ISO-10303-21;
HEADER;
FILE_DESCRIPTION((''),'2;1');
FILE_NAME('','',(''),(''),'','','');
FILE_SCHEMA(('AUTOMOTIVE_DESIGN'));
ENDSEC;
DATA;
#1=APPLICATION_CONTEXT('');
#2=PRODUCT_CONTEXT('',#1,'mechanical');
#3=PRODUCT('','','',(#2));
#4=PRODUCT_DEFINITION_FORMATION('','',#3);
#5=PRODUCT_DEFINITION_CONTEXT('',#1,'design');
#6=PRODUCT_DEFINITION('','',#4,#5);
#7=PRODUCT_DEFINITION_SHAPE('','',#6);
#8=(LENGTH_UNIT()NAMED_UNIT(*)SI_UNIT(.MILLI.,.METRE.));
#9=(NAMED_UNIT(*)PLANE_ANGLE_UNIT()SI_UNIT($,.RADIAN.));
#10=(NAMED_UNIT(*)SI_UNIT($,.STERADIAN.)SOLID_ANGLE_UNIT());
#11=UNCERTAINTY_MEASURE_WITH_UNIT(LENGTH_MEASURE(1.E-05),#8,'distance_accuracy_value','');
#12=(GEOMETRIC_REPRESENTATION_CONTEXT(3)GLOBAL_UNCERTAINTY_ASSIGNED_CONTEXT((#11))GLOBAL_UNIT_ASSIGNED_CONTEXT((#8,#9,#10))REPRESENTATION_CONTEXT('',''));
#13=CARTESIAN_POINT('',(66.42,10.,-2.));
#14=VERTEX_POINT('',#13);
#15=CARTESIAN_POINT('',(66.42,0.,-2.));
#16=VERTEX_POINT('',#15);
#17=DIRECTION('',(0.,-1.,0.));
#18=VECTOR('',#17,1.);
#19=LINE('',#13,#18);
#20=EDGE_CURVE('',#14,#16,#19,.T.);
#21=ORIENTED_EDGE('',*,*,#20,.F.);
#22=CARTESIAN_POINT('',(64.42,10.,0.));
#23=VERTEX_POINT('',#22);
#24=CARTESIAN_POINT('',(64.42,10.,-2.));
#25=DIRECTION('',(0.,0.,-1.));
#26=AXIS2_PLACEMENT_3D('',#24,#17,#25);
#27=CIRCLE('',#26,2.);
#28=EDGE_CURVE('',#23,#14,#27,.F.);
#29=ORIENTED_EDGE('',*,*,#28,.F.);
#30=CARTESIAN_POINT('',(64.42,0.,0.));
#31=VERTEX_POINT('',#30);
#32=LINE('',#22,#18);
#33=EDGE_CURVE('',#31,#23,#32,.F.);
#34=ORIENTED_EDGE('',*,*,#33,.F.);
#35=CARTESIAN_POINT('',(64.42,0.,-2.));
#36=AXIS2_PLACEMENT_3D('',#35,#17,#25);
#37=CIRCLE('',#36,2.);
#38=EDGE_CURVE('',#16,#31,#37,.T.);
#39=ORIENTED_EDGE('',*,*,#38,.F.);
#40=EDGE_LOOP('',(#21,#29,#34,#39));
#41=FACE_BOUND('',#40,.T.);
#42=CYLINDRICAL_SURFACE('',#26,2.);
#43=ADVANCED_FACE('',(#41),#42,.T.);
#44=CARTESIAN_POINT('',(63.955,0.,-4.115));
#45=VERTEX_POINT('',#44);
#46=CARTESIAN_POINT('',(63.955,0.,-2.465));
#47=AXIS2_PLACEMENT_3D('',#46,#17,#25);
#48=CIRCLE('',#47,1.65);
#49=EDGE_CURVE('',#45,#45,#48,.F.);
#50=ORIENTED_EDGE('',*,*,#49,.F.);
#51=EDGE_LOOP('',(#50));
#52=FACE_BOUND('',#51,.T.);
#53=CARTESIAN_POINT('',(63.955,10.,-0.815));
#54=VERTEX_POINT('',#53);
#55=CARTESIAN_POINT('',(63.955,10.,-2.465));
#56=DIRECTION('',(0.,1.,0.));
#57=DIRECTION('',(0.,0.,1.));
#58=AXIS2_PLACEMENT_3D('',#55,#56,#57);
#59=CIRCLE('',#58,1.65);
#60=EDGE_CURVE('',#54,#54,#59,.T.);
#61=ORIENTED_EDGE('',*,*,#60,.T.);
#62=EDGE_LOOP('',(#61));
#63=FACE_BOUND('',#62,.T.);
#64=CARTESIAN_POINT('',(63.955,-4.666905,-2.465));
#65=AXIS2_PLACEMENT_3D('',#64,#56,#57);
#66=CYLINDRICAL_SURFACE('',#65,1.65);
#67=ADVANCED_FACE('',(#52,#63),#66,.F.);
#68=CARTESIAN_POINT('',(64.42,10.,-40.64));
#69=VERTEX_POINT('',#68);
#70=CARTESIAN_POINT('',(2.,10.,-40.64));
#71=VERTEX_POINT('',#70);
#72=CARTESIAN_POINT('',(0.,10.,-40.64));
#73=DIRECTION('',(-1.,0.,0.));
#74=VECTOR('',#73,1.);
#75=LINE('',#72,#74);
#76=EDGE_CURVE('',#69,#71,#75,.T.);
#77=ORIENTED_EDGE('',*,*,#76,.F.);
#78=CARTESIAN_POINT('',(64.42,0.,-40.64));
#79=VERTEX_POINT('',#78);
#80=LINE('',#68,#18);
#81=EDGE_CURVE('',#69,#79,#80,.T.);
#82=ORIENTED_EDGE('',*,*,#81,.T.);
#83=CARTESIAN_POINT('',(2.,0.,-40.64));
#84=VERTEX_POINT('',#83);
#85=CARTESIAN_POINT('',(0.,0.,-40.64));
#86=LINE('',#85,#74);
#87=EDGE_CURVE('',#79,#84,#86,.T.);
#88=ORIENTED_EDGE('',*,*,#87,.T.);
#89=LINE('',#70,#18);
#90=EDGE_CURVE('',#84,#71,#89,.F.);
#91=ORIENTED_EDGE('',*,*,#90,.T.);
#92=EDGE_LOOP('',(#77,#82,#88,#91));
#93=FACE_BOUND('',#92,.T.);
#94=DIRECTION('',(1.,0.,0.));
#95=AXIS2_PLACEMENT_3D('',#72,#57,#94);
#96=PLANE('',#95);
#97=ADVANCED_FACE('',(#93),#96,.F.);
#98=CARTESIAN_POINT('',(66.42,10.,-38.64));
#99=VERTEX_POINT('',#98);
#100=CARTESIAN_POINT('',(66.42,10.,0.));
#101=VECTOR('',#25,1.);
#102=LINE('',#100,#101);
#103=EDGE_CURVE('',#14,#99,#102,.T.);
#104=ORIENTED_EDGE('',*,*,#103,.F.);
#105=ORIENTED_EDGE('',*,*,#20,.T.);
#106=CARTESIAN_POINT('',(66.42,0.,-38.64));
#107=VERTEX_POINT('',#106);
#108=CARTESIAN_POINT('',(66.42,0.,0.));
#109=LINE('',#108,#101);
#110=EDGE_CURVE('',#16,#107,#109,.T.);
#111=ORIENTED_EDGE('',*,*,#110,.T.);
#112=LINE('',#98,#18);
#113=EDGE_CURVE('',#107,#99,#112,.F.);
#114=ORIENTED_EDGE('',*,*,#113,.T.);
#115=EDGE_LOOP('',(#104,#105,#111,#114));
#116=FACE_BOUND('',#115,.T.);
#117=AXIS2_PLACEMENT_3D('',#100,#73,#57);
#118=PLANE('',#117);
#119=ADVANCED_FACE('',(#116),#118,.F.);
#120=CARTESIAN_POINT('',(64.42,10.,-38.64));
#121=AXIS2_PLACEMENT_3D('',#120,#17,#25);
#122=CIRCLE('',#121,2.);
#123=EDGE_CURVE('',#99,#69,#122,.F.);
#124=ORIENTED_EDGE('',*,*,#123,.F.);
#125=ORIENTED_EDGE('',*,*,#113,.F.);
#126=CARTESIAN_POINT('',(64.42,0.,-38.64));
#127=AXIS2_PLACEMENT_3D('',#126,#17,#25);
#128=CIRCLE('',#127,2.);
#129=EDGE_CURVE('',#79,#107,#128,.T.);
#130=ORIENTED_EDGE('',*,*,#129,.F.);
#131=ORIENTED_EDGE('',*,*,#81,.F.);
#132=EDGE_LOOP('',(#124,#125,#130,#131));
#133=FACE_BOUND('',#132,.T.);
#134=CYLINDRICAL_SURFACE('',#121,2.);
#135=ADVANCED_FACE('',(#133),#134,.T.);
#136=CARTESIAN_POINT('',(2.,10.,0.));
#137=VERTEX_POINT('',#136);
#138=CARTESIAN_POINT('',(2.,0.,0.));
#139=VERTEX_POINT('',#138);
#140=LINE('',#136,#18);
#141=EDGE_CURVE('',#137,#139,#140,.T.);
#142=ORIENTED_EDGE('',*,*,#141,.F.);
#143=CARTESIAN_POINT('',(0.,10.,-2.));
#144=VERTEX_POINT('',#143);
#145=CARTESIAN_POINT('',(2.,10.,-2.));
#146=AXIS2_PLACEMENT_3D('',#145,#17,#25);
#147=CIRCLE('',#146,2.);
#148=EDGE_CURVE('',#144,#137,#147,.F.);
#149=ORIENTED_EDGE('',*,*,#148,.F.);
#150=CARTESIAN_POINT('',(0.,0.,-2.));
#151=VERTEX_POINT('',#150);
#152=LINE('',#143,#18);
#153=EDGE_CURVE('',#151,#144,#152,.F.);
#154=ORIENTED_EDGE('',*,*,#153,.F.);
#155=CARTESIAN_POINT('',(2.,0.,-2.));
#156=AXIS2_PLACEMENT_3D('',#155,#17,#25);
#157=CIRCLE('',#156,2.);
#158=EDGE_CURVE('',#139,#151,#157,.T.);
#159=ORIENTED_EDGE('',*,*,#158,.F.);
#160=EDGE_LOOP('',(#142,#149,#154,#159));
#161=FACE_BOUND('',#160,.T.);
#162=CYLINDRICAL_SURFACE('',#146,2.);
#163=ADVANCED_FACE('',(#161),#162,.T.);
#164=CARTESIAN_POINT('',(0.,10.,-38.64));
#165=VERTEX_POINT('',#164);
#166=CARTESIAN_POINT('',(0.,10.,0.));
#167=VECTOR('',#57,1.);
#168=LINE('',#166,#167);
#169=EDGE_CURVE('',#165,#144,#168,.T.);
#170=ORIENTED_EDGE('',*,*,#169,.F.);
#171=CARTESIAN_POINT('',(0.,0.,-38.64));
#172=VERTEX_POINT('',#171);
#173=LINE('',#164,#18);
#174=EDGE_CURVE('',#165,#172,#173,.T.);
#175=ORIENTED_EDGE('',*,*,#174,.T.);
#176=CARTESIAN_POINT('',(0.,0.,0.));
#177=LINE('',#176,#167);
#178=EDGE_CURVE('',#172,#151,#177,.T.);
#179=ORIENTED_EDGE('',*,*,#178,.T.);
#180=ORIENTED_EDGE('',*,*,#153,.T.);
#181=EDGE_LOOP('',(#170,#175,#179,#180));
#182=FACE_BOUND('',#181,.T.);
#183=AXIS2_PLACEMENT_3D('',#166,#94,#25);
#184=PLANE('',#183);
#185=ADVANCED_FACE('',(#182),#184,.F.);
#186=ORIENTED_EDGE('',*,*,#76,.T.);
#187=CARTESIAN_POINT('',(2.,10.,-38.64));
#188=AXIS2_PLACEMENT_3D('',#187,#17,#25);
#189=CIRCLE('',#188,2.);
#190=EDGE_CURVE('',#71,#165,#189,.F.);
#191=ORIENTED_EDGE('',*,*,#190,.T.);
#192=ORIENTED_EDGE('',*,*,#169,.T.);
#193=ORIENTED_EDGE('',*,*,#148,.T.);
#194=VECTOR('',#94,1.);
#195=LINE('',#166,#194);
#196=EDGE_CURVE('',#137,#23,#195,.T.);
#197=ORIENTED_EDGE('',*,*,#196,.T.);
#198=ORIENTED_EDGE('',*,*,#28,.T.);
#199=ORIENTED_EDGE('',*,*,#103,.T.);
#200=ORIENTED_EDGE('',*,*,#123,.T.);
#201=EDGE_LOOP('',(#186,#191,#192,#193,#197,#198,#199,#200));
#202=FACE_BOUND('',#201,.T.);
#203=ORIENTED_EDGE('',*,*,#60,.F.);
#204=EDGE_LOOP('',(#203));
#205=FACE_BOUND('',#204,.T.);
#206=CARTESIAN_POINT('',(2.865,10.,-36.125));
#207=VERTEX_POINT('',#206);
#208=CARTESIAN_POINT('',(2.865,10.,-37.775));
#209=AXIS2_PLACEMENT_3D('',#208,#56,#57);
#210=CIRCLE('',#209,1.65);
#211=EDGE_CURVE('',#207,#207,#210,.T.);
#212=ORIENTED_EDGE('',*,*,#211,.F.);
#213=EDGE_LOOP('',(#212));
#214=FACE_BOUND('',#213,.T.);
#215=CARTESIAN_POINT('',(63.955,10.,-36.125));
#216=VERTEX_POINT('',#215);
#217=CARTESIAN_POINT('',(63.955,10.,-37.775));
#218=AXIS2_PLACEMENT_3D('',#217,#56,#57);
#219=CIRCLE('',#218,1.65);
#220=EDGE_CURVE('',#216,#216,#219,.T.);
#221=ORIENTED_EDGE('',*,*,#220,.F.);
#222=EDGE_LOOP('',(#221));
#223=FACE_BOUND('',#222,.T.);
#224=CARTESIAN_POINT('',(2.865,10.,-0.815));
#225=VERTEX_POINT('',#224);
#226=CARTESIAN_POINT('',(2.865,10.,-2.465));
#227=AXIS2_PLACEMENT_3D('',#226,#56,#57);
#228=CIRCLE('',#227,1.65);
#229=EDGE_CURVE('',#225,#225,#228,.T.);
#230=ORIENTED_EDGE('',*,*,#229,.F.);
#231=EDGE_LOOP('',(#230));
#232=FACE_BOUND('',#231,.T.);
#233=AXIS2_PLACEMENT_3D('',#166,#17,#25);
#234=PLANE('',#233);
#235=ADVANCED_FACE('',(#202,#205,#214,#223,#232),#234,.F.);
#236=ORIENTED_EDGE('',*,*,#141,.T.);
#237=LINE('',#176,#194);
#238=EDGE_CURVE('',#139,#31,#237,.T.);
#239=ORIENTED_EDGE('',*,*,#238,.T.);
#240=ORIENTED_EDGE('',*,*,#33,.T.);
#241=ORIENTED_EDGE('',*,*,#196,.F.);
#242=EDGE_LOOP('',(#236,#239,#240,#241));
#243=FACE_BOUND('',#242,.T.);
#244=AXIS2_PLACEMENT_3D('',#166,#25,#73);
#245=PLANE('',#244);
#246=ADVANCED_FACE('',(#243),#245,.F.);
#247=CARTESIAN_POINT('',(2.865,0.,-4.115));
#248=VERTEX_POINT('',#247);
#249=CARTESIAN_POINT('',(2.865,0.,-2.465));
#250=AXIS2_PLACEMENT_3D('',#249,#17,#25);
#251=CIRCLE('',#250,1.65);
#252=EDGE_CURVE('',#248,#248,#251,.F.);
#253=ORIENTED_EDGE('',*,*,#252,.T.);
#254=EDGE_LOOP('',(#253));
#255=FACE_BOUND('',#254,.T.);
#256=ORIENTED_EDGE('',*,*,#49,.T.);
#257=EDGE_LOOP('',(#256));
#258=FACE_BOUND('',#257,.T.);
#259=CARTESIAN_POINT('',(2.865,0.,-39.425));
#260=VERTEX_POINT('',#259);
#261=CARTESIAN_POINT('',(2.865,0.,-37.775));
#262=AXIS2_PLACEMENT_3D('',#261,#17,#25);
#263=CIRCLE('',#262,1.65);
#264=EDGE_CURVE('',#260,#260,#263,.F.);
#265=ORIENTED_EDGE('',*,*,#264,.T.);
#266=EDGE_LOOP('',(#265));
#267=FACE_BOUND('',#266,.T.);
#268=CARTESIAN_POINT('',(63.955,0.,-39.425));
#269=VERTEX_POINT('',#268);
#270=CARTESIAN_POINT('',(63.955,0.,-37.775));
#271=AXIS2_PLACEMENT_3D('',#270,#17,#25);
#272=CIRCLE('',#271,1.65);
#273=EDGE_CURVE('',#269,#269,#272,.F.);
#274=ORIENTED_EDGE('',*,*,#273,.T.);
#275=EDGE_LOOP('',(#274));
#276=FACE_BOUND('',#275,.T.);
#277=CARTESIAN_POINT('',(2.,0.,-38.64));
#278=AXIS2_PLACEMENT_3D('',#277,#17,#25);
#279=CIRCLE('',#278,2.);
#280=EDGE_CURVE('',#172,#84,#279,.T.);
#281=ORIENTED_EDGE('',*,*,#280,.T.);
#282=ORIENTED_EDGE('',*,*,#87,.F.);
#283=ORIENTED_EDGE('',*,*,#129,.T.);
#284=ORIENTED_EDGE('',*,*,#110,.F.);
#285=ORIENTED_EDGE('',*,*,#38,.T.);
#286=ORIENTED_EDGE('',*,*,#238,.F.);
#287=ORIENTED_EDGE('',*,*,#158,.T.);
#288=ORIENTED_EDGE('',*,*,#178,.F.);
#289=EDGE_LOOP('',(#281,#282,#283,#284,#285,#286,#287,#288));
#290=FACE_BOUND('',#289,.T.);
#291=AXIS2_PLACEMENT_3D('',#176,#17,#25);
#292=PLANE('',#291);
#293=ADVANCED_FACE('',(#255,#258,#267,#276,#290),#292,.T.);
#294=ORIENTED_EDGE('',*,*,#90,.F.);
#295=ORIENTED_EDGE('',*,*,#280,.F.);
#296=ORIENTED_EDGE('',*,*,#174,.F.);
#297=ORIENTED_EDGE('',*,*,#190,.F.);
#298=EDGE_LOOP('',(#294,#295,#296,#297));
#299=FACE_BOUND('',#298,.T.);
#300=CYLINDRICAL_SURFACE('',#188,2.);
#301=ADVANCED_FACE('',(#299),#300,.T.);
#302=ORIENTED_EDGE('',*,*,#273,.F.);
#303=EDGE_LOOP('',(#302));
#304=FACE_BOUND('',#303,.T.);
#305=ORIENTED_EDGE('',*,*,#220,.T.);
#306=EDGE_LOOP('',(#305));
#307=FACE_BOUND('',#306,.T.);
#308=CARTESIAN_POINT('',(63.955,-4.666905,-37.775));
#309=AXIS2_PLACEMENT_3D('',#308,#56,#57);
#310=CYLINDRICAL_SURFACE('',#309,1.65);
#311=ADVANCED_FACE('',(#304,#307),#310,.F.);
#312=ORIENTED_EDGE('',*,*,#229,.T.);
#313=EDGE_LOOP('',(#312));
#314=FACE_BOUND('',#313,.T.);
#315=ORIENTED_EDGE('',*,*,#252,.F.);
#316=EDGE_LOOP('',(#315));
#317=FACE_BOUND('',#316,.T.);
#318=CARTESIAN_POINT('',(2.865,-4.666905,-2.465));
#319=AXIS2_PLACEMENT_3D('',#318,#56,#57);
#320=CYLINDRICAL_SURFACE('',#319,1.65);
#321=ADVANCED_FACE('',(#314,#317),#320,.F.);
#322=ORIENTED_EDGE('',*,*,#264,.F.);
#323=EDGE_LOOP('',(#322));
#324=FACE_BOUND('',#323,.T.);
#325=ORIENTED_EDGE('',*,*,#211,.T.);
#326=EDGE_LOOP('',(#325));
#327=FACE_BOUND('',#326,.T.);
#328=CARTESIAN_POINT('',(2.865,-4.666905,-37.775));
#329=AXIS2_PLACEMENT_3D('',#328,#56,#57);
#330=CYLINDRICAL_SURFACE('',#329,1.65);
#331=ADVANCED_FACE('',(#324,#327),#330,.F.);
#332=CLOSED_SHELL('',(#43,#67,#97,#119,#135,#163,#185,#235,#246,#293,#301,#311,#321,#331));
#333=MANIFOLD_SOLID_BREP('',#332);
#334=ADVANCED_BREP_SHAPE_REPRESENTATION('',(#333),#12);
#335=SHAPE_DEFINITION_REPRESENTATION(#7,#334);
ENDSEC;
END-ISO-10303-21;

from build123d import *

# Parameters (mm, degrees)
SKETCH1_W           = 66.42
SKETCH1_H           = 40.64
BOSS_EXTRUDE1_DEPTH = 10
SKETCH2_R           = 1.65
CUT_EXTRUDE1_DEPTH  = 10
FILLET1_R           = 2


with BuildPart() as part:
    # Sketch1 → Boss-Extrude1 (new body)
    with BuildSketch(Plane(origin=(0, 0, 0), x_dir=(1, 0, 0), z_dir=(0, 1, 0))):
        with Locations((33.21, 20.32)):
            Rectangle(SKETCH1_W, SKETCH1_H)
    extrude(amount=BOSS_EXTRUDE1_DEPTH)

    # Sketch2 → Cut-Extrude1 (cut)
    with BuildSketch(Plane(origin=(0, 10, 0), x_dir=(1, 0, 0), z_dir=(0, 1, 0))):
        with Locations(Location((63.955, 2.465, 0), (0, 0, 270))):
            Circle(SKETCH2_R)
        with Locations(Location((63.955, 37.775, 0), (0, 0, 270))):
            Circle(SKETCH2_R)
        with Locations(Location((2.865, 37.775, 0), (0, 0, 270))):
            Circle(SKETCH2_R)
        with Locations(Location((2.865, 2.465, 0), (0, 0, 270))):
            Circle(SKETCH2_R)
    extrude(amount=-CUT_EXTRUDE1_DEPTH, mode=Mode.SUBTRACT)

    # Fillet1
    fillet1_edges = [part.edges().sort_by_distance(p)[0] for p in [
        (0, 5, -40.64),
        (66.42, 5, -40.64),
        (66.42, 5, 0),
        (0, 5, 0),
    ]]
    fillet(fillet1_edges, radius=FILLET1_R)


solid = part.part
